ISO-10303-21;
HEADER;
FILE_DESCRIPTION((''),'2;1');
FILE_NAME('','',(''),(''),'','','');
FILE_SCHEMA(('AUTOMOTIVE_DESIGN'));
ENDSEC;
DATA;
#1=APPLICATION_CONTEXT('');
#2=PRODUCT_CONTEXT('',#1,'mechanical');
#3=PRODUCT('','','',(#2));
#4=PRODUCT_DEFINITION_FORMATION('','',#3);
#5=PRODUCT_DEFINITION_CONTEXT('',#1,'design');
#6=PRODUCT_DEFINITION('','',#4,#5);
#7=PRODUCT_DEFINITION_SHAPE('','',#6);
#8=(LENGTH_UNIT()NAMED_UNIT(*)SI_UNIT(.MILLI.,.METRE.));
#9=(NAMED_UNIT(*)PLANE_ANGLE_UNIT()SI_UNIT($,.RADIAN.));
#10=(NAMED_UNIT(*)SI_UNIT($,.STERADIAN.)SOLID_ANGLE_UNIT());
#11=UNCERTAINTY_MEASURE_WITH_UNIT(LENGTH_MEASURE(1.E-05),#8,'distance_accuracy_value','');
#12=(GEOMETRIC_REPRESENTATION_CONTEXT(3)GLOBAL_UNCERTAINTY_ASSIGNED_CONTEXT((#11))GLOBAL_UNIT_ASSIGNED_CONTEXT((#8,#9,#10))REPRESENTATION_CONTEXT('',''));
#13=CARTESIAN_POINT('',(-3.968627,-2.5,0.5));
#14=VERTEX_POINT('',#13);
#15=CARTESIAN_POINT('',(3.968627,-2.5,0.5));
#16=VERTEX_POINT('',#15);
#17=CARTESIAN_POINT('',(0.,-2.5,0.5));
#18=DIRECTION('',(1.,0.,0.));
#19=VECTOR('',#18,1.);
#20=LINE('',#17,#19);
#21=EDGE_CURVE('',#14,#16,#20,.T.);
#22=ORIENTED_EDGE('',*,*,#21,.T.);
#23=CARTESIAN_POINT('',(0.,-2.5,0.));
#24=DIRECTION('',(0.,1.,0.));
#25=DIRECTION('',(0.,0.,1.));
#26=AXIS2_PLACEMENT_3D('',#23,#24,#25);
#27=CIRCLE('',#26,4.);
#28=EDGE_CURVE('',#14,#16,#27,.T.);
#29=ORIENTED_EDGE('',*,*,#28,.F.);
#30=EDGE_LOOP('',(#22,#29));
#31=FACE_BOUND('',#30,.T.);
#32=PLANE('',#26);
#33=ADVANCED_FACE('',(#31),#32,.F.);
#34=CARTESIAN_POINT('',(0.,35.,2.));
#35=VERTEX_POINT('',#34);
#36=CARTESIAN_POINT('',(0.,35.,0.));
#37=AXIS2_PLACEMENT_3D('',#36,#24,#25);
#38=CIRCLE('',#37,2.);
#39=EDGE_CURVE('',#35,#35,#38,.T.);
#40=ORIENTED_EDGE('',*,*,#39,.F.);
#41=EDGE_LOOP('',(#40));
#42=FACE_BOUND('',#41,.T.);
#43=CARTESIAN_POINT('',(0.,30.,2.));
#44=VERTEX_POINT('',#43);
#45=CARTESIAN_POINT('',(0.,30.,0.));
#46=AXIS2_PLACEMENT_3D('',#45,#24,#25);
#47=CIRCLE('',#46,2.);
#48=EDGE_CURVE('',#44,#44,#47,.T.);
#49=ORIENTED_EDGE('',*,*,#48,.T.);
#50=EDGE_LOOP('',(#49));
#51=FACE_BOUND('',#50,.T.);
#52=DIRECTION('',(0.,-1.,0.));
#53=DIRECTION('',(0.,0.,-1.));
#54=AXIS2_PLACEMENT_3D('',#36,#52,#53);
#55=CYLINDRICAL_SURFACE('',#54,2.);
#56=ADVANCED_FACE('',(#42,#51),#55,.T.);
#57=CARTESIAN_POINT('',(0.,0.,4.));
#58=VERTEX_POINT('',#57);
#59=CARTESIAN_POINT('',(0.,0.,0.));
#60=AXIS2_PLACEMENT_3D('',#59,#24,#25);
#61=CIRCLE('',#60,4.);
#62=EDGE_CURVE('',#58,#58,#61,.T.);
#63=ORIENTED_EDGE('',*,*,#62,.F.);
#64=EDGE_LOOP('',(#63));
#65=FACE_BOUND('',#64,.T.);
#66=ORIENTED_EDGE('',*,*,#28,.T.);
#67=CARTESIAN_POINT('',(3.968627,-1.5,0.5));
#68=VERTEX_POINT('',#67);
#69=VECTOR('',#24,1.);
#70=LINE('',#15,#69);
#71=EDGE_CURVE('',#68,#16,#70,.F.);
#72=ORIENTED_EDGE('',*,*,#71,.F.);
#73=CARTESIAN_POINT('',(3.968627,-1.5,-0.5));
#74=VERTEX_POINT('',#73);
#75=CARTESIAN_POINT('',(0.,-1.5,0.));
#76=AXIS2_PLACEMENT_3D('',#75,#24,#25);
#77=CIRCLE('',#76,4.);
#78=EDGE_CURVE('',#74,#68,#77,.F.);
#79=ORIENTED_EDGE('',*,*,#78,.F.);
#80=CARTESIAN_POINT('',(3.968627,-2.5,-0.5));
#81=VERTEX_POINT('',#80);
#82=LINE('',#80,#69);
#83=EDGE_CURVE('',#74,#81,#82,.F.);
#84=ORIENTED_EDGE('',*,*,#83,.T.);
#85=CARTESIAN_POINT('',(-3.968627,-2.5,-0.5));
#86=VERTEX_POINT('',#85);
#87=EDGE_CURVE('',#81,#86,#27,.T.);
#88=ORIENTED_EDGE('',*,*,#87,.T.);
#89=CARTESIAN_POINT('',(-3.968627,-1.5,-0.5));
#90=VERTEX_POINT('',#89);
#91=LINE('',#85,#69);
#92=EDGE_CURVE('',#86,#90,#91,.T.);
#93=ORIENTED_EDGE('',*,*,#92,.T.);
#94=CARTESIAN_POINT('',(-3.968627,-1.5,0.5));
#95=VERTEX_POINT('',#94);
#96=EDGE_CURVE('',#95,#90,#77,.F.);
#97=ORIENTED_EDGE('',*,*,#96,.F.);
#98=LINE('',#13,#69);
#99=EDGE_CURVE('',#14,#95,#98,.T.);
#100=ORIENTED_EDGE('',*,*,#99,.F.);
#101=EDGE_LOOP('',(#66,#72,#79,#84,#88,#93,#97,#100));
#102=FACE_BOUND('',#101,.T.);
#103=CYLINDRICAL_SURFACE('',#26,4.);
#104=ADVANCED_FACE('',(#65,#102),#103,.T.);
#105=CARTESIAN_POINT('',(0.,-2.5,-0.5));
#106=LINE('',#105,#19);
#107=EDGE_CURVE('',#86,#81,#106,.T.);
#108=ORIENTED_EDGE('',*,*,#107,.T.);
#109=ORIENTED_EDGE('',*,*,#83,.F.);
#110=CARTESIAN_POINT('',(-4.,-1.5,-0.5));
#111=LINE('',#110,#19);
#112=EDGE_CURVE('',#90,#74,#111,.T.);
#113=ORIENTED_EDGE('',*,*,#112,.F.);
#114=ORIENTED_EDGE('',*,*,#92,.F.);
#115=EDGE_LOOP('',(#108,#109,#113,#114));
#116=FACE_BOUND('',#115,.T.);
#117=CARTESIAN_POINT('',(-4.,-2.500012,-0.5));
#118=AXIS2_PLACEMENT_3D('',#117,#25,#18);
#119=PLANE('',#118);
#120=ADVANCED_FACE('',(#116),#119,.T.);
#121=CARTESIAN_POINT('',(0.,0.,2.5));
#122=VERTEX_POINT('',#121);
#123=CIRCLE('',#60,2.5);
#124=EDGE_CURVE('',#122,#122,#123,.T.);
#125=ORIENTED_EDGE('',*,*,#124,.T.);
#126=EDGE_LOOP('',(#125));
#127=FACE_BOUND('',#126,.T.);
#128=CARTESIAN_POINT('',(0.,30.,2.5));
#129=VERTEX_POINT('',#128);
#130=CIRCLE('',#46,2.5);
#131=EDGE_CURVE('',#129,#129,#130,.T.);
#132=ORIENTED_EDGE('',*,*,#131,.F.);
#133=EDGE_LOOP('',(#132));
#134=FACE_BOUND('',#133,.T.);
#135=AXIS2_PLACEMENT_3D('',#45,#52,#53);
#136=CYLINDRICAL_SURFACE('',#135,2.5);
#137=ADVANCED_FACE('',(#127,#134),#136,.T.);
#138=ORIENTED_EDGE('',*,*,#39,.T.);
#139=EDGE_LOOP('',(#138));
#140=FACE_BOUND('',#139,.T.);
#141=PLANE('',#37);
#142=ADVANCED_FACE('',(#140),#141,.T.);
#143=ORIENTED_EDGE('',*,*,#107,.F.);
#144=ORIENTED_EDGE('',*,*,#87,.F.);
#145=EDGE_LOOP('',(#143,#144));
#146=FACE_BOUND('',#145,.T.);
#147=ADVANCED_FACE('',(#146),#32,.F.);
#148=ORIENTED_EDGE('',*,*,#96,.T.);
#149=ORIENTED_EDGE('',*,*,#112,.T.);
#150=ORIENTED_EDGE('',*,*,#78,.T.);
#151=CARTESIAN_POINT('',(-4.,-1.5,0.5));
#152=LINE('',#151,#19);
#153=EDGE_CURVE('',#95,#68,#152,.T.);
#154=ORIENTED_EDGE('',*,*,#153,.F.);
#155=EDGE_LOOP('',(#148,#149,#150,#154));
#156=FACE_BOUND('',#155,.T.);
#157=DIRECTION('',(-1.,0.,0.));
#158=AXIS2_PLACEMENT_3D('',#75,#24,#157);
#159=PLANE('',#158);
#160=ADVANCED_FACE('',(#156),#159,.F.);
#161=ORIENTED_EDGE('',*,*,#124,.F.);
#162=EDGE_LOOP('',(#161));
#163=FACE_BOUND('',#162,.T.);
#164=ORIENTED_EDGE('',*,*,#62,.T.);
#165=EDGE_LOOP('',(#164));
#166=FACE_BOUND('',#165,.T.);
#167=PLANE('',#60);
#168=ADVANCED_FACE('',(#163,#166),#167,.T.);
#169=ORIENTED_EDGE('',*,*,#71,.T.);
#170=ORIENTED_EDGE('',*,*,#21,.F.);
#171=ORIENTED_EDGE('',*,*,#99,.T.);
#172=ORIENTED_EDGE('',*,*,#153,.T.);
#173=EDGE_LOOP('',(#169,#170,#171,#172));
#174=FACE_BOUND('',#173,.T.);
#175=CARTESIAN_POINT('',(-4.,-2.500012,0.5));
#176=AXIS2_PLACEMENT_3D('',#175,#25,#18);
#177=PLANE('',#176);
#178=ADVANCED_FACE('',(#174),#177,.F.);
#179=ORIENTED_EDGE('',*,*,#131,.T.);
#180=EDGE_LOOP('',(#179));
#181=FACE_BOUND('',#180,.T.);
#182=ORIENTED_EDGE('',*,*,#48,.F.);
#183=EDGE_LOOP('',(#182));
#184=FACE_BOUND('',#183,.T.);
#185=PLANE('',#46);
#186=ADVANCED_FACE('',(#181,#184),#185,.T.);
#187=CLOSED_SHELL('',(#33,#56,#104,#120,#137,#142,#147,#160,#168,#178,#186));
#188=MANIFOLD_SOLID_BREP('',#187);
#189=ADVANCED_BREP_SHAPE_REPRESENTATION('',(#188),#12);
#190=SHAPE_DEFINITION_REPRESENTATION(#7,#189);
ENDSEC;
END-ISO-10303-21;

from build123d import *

# Parameters (mm, degrees)
SKETCH_1_R               = 4
EXTRUDE_1_DEPTH          = 2.5
SKETCH_2_R               = 2.5
EXTRUDE_2_DEPTH          = 30
SKETCH_3_R               = 2
EXTRUDE_3_DEPTH          = 5
CUT_EXTRUDE_1_DEPTH      = 38.924266638
CUT_EXTRUDE_1_DEPTH_BACK = 1
SKETCH_4_W               = 8
SKETCH_4_H               = 1


with BuildPart() as part:
    # 草图1 → 凸台-拉伸1 (new body)
    with BuildSketch(Plane(origin=(0, 0, 0), x_dir=(1, 0, 0), z_dir=(0, 1, 0))):
        Circle(SKETCH_1_R)
    extrude(amount=-EXTRUDE_1_DEPTH)

    # 草图2 → 凸台-拉伸2 (add)
    with BuildSketch(Plane(origin=(0, 0, 0), x_dir=(1, 0, 0), z_dir=(0, 1, 0))):
        Circle(SKETCH_2_R)
    extrude(amount=EXTRUDE_2_DEPTH)

    # 草图3 → 凸台-拉伸3 (add)
    with BuildSketch(Plane(origin=(0, 30, 0), x_dir=(1, 0, 0), z_dir=(0, 1, 0))):
        Circle(SKETCH_3_R)
    extrude(amount=EXTRUDE_3_DEPTH)

    # 草图4 → 切除-拉伸-薄壁1 (cut, two sides: drawn at the far end of the back side and taken through both)
    with BuildSketch(Plane.XZ.offset(2.5).offset(-CUT_EXTRUDE_1_DEPTH_BACK)):
        Rectangle(SKETCH_4_W, SKETCH_4_H)
    extrude(amount=CUT_EXTRUDE_1_DEPTH + CUT_EXTRUDE_1_DEPTH_BACK, mode=Mode.SUBTRACT)


solid = part.part
